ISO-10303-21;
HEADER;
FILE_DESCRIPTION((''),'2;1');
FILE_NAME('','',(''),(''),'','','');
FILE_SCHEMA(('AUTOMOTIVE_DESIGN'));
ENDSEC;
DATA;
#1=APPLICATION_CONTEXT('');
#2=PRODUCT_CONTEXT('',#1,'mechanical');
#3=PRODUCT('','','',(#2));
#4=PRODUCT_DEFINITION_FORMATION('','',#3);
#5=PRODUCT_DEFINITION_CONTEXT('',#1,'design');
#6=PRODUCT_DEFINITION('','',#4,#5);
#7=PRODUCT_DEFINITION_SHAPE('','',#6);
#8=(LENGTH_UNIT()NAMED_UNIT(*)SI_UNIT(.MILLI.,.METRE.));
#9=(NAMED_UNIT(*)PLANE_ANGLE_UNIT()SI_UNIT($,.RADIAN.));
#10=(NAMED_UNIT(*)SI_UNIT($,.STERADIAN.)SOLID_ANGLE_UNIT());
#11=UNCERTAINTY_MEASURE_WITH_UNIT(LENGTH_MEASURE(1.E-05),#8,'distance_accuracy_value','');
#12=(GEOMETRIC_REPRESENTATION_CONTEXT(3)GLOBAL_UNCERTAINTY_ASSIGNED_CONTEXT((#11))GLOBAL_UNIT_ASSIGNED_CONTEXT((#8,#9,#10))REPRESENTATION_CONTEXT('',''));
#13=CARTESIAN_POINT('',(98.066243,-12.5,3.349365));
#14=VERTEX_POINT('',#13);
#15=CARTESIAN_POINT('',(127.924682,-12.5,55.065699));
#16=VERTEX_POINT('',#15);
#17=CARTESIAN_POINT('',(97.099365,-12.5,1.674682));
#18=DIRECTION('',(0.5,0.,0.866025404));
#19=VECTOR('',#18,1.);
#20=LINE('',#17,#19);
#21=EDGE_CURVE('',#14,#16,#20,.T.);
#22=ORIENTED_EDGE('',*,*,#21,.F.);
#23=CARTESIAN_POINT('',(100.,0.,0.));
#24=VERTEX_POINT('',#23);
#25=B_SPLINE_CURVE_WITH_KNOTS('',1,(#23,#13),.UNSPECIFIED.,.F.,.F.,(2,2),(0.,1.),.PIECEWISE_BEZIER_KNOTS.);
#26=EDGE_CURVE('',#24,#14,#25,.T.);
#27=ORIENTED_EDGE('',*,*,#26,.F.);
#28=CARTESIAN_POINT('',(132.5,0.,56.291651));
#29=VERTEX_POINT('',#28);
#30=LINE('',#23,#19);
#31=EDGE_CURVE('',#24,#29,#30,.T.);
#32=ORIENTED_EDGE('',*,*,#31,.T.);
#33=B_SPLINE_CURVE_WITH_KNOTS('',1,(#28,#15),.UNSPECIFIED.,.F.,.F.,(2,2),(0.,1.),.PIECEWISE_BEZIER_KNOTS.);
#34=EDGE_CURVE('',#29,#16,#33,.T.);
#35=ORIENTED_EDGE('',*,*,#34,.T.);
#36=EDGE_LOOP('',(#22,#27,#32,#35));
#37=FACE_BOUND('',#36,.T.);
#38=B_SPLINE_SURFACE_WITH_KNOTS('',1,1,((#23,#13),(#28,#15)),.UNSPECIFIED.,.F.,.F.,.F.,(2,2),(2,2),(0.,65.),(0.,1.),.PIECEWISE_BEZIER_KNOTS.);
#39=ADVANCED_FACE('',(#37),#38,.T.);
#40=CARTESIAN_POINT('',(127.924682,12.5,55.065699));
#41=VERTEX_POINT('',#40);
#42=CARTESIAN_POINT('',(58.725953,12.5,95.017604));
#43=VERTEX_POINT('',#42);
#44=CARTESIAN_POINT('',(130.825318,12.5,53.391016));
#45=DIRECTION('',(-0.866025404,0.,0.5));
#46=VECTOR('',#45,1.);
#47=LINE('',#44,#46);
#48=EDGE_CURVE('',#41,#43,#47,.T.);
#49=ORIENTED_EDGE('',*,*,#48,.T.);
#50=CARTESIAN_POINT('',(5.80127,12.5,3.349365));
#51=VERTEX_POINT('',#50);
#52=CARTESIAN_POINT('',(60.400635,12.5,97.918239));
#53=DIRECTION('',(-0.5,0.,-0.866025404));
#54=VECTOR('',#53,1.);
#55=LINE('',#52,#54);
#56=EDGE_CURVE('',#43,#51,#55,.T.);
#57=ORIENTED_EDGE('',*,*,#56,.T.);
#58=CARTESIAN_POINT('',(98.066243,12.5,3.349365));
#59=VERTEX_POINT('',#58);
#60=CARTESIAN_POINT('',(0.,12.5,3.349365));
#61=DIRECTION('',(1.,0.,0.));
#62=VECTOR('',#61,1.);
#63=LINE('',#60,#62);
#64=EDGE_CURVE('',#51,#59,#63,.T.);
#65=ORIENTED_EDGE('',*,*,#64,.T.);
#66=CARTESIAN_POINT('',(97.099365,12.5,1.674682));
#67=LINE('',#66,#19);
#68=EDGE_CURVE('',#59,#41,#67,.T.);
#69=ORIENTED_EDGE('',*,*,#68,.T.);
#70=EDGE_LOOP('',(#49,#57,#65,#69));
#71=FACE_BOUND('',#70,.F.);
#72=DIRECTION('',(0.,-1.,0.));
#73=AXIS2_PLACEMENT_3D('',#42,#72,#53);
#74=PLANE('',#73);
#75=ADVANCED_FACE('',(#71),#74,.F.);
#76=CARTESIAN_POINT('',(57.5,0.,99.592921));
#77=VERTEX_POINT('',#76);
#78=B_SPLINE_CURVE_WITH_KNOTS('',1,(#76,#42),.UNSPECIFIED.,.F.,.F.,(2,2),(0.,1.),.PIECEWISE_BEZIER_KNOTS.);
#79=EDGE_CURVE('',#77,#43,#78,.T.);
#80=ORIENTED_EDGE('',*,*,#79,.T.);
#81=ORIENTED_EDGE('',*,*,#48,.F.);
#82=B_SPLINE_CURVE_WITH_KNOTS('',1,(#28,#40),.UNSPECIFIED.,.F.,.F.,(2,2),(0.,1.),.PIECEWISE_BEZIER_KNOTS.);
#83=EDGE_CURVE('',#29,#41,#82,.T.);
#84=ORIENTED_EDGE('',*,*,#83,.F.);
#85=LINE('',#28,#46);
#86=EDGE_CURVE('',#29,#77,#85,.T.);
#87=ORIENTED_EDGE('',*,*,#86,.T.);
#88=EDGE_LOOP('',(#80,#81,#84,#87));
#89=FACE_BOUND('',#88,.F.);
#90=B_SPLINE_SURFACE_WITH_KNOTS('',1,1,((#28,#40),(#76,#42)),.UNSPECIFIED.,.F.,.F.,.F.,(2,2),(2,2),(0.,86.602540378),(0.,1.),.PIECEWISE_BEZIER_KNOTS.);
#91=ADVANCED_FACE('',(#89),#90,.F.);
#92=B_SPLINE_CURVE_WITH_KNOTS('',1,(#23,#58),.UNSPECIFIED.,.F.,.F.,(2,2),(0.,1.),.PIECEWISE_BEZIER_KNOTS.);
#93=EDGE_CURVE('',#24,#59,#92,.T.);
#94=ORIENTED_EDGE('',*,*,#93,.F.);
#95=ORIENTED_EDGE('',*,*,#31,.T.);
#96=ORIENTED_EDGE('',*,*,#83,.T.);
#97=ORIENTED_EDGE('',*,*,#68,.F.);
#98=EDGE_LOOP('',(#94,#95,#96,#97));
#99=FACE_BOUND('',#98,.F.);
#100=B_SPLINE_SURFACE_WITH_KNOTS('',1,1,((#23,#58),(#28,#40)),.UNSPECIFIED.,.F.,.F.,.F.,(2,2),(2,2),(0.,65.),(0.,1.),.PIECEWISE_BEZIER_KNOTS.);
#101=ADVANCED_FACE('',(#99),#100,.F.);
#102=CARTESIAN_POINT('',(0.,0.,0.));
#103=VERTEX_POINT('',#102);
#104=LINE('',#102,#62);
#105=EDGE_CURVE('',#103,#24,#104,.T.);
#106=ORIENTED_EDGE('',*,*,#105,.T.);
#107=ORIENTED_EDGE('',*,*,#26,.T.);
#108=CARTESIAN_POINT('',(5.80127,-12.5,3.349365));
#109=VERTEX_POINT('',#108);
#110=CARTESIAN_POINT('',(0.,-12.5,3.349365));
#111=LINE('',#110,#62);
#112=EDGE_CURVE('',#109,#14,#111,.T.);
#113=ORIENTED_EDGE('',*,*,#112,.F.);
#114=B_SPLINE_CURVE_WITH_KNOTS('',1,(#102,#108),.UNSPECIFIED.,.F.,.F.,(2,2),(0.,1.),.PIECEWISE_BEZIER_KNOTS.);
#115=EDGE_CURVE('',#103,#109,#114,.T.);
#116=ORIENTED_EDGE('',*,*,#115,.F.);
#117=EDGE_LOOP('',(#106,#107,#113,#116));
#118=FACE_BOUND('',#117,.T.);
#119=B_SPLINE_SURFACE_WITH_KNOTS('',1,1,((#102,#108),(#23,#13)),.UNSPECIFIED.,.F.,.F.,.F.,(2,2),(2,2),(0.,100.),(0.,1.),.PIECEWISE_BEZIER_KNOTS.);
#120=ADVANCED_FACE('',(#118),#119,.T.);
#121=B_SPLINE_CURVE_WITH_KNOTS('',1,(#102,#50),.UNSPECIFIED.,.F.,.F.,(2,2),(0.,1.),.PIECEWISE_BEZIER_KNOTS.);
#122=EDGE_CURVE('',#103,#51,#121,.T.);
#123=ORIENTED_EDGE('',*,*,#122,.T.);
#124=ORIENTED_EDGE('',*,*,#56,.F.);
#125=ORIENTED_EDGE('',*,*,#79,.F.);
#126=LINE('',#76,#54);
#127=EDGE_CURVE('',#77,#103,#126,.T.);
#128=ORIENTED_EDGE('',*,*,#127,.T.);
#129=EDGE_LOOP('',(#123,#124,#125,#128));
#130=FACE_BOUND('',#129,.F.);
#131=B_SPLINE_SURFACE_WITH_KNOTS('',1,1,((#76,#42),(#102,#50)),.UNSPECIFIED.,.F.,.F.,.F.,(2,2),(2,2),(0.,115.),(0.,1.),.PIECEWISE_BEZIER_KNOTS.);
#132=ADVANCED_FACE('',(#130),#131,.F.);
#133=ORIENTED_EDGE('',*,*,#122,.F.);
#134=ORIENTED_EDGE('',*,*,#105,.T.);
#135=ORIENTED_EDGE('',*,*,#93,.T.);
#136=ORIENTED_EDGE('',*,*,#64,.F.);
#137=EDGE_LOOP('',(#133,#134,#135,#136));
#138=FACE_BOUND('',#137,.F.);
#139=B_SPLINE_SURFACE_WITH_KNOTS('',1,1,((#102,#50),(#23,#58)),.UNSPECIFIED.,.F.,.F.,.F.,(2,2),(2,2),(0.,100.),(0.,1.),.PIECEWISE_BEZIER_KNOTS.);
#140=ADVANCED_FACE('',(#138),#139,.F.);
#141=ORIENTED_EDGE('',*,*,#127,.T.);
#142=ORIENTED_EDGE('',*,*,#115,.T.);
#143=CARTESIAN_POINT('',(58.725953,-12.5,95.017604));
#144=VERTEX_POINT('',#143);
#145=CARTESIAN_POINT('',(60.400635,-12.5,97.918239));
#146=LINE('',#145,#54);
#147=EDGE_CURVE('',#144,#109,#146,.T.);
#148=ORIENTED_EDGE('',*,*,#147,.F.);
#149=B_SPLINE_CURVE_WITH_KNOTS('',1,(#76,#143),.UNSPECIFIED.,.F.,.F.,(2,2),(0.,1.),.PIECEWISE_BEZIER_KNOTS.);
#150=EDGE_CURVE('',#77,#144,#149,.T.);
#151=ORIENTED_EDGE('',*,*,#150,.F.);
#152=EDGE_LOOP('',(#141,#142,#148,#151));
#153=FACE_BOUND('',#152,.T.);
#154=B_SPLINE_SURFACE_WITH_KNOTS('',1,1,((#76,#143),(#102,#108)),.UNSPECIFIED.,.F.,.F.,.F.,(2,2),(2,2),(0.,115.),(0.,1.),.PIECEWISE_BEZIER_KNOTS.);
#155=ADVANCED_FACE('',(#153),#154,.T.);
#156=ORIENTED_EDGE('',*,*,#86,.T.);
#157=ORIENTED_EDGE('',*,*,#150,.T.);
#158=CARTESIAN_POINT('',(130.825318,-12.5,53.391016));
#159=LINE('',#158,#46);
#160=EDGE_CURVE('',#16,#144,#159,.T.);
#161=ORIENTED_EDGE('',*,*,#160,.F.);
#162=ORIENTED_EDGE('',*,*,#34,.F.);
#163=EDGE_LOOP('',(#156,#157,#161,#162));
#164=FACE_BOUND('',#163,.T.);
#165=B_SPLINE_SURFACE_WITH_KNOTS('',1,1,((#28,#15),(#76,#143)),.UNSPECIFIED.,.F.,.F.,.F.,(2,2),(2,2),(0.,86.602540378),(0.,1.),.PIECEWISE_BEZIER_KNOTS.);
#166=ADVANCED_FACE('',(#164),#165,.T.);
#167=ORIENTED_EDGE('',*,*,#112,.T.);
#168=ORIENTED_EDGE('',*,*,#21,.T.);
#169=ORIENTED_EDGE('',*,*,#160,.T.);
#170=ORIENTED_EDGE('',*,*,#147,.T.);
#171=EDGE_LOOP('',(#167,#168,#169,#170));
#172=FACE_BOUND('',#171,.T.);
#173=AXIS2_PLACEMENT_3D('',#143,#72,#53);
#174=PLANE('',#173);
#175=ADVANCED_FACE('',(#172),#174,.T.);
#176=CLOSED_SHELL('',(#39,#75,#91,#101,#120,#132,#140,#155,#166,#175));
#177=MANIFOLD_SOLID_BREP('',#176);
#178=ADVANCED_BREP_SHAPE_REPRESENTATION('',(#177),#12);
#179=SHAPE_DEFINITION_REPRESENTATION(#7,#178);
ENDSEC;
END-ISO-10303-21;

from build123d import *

# Parameters (mm, degrees)
F1_DEPTH = 12.5
F1_TAPER = 15


with BuildPart() as f1:
    # F0 (on Front) → F1 (new body, symmetric)
    with BuildSketch(Plane.XZ):
        Polygon((57.5, 99.5929214352), (0, 0), (100, 0), (132.5, 56.291651246), align=None)
    extrude(amount=F1_DEPTH, both=True, taper=F1_TAPER)


solid = f1.part
